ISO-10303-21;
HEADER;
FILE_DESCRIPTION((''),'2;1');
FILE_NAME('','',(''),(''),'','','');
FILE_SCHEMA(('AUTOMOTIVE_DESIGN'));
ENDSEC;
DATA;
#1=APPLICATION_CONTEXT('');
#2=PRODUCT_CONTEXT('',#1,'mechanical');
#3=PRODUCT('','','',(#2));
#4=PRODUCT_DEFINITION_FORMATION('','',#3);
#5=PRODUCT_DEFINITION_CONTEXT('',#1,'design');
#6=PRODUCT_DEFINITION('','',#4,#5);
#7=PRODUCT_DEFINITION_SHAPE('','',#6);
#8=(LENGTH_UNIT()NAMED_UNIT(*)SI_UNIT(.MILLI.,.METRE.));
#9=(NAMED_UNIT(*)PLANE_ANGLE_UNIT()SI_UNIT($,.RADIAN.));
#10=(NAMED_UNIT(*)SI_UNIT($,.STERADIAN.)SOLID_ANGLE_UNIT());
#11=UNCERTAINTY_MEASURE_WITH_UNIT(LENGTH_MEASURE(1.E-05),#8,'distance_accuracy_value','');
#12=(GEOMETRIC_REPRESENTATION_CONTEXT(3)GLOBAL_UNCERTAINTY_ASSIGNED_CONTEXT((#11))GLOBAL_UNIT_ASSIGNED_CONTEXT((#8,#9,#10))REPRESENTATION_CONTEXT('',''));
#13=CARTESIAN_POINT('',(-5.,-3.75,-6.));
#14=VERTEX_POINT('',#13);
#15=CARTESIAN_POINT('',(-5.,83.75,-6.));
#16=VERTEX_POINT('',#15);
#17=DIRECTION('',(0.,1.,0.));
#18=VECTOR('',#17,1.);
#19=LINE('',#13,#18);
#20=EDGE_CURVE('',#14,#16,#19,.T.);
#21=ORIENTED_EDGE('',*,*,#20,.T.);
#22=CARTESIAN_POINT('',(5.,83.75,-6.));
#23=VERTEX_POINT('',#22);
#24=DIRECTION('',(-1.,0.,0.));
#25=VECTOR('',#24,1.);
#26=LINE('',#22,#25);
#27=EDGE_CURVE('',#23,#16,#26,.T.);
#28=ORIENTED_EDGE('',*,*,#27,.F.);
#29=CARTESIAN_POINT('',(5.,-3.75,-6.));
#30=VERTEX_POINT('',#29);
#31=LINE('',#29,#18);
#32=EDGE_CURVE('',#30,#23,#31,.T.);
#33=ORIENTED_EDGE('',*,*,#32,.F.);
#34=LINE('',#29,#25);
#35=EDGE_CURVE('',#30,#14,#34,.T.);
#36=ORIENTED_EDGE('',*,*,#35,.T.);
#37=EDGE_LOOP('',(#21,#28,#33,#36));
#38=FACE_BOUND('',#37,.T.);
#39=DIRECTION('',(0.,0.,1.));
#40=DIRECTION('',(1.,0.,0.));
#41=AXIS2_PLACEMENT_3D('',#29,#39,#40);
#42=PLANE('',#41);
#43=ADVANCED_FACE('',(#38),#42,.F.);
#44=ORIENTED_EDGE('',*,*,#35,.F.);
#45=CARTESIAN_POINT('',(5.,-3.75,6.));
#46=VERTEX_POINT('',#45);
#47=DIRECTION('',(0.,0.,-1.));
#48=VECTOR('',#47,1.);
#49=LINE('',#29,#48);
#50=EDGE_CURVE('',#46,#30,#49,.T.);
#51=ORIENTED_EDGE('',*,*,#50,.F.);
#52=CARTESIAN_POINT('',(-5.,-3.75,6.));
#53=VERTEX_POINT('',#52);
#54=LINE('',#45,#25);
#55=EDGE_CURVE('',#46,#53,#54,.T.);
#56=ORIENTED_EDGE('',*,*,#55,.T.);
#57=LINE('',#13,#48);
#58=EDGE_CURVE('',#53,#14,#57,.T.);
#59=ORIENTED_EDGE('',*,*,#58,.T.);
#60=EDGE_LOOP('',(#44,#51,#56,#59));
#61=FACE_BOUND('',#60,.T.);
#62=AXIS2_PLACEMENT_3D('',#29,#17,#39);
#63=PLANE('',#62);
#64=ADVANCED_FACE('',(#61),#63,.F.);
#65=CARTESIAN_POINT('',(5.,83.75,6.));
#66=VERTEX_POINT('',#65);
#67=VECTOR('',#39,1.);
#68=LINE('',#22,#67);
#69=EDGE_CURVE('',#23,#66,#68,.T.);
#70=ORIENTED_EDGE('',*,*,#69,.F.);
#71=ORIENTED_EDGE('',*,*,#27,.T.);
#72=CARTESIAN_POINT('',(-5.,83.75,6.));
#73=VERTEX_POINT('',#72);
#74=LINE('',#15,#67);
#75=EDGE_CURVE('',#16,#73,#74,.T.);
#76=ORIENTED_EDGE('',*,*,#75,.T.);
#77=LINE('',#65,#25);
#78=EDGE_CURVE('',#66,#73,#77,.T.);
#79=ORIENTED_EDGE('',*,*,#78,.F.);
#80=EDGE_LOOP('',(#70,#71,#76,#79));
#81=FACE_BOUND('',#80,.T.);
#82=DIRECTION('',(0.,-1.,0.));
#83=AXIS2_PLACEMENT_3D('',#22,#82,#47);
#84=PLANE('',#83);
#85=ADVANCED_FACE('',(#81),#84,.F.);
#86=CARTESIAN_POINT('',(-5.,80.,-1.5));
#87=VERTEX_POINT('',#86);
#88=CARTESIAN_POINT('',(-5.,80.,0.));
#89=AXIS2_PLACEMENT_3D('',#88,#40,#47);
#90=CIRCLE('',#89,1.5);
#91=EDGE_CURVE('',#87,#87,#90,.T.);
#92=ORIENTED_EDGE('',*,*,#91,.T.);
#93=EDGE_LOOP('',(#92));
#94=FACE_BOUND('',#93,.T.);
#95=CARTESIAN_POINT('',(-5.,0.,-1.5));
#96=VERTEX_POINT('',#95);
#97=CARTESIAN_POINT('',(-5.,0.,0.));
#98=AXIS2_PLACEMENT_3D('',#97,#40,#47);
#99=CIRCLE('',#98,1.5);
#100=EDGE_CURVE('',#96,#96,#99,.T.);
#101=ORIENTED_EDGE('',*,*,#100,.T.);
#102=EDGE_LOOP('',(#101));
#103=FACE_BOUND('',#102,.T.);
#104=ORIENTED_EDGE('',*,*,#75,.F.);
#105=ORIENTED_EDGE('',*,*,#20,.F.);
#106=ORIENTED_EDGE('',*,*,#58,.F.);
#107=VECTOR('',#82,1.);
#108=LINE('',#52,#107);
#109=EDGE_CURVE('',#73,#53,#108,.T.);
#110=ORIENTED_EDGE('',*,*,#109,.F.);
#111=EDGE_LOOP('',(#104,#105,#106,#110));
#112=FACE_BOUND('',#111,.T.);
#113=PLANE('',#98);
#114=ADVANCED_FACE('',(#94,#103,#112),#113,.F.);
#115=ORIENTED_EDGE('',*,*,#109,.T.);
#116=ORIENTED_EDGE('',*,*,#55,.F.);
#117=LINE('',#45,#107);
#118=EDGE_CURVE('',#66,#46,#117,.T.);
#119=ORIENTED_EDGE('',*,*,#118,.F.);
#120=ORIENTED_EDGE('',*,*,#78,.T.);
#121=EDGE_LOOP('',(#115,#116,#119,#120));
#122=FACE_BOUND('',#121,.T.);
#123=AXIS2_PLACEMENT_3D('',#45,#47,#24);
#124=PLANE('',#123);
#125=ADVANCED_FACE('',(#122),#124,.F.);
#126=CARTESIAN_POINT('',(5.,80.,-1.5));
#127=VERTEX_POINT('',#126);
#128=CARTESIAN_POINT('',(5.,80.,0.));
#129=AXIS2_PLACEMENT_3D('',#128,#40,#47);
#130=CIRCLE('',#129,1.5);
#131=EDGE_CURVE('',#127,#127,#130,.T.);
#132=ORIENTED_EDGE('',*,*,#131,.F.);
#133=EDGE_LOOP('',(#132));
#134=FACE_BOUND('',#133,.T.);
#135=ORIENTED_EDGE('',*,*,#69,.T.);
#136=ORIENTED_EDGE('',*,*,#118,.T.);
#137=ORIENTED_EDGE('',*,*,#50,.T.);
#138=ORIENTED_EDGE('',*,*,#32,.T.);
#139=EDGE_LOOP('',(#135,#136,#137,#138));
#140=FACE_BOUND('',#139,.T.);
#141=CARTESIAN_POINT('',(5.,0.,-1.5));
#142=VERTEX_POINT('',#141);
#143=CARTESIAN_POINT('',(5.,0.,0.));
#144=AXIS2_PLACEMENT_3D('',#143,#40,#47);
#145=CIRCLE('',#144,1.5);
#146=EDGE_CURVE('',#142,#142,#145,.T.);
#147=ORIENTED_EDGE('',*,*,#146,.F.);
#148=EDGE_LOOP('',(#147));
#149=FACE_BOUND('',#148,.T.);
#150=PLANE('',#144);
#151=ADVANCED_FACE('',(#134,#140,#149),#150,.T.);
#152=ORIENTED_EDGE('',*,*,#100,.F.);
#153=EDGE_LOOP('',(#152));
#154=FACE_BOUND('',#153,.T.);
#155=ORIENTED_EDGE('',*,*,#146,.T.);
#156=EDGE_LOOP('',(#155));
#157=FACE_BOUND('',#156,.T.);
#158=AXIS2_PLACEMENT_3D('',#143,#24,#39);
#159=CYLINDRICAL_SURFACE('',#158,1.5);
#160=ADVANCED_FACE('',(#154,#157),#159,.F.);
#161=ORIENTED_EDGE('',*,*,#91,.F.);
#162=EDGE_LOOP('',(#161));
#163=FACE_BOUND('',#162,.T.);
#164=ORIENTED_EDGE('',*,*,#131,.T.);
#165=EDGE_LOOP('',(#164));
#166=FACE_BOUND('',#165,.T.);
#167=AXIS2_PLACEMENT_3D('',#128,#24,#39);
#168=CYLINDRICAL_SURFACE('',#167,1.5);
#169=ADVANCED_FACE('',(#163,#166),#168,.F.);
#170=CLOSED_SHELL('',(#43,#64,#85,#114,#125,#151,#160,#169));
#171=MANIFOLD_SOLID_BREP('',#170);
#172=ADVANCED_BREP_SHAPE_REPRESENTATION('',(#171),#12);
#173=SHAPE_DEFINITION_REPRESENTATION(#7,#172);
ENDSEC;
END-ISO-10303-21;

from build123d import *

# Parameters (mm, degrees)
SKETCH1_W           = 12
SKETCH1_H           = 87.5
SKETCH1_R           = 1.5
BOSS_EXTRUDE1_DEPTH = 5


with BuildPart() as part:
    # Sketch1 → Boss-Extrude1 (new, symmetric)
    with BuildSketch(Plane(origin=(0, 0, 0), x_dir=(0, 0, -1), z_dir=(1, 0, 0))):
        with Locations((0, 40)):
            Rectangle(SKETCH1_W, SKETCH1_H)
        with Locations((0, 80)):
            Circle(SKETCH1_R, mode=Mode.SUBTRACT)
        Circle(SKETCH1_R, mode=Mode.SUBTRACT)
    extrude(amount=BOSS_EXTRUDE1_DEPTH, both=True)


solid = part.part
